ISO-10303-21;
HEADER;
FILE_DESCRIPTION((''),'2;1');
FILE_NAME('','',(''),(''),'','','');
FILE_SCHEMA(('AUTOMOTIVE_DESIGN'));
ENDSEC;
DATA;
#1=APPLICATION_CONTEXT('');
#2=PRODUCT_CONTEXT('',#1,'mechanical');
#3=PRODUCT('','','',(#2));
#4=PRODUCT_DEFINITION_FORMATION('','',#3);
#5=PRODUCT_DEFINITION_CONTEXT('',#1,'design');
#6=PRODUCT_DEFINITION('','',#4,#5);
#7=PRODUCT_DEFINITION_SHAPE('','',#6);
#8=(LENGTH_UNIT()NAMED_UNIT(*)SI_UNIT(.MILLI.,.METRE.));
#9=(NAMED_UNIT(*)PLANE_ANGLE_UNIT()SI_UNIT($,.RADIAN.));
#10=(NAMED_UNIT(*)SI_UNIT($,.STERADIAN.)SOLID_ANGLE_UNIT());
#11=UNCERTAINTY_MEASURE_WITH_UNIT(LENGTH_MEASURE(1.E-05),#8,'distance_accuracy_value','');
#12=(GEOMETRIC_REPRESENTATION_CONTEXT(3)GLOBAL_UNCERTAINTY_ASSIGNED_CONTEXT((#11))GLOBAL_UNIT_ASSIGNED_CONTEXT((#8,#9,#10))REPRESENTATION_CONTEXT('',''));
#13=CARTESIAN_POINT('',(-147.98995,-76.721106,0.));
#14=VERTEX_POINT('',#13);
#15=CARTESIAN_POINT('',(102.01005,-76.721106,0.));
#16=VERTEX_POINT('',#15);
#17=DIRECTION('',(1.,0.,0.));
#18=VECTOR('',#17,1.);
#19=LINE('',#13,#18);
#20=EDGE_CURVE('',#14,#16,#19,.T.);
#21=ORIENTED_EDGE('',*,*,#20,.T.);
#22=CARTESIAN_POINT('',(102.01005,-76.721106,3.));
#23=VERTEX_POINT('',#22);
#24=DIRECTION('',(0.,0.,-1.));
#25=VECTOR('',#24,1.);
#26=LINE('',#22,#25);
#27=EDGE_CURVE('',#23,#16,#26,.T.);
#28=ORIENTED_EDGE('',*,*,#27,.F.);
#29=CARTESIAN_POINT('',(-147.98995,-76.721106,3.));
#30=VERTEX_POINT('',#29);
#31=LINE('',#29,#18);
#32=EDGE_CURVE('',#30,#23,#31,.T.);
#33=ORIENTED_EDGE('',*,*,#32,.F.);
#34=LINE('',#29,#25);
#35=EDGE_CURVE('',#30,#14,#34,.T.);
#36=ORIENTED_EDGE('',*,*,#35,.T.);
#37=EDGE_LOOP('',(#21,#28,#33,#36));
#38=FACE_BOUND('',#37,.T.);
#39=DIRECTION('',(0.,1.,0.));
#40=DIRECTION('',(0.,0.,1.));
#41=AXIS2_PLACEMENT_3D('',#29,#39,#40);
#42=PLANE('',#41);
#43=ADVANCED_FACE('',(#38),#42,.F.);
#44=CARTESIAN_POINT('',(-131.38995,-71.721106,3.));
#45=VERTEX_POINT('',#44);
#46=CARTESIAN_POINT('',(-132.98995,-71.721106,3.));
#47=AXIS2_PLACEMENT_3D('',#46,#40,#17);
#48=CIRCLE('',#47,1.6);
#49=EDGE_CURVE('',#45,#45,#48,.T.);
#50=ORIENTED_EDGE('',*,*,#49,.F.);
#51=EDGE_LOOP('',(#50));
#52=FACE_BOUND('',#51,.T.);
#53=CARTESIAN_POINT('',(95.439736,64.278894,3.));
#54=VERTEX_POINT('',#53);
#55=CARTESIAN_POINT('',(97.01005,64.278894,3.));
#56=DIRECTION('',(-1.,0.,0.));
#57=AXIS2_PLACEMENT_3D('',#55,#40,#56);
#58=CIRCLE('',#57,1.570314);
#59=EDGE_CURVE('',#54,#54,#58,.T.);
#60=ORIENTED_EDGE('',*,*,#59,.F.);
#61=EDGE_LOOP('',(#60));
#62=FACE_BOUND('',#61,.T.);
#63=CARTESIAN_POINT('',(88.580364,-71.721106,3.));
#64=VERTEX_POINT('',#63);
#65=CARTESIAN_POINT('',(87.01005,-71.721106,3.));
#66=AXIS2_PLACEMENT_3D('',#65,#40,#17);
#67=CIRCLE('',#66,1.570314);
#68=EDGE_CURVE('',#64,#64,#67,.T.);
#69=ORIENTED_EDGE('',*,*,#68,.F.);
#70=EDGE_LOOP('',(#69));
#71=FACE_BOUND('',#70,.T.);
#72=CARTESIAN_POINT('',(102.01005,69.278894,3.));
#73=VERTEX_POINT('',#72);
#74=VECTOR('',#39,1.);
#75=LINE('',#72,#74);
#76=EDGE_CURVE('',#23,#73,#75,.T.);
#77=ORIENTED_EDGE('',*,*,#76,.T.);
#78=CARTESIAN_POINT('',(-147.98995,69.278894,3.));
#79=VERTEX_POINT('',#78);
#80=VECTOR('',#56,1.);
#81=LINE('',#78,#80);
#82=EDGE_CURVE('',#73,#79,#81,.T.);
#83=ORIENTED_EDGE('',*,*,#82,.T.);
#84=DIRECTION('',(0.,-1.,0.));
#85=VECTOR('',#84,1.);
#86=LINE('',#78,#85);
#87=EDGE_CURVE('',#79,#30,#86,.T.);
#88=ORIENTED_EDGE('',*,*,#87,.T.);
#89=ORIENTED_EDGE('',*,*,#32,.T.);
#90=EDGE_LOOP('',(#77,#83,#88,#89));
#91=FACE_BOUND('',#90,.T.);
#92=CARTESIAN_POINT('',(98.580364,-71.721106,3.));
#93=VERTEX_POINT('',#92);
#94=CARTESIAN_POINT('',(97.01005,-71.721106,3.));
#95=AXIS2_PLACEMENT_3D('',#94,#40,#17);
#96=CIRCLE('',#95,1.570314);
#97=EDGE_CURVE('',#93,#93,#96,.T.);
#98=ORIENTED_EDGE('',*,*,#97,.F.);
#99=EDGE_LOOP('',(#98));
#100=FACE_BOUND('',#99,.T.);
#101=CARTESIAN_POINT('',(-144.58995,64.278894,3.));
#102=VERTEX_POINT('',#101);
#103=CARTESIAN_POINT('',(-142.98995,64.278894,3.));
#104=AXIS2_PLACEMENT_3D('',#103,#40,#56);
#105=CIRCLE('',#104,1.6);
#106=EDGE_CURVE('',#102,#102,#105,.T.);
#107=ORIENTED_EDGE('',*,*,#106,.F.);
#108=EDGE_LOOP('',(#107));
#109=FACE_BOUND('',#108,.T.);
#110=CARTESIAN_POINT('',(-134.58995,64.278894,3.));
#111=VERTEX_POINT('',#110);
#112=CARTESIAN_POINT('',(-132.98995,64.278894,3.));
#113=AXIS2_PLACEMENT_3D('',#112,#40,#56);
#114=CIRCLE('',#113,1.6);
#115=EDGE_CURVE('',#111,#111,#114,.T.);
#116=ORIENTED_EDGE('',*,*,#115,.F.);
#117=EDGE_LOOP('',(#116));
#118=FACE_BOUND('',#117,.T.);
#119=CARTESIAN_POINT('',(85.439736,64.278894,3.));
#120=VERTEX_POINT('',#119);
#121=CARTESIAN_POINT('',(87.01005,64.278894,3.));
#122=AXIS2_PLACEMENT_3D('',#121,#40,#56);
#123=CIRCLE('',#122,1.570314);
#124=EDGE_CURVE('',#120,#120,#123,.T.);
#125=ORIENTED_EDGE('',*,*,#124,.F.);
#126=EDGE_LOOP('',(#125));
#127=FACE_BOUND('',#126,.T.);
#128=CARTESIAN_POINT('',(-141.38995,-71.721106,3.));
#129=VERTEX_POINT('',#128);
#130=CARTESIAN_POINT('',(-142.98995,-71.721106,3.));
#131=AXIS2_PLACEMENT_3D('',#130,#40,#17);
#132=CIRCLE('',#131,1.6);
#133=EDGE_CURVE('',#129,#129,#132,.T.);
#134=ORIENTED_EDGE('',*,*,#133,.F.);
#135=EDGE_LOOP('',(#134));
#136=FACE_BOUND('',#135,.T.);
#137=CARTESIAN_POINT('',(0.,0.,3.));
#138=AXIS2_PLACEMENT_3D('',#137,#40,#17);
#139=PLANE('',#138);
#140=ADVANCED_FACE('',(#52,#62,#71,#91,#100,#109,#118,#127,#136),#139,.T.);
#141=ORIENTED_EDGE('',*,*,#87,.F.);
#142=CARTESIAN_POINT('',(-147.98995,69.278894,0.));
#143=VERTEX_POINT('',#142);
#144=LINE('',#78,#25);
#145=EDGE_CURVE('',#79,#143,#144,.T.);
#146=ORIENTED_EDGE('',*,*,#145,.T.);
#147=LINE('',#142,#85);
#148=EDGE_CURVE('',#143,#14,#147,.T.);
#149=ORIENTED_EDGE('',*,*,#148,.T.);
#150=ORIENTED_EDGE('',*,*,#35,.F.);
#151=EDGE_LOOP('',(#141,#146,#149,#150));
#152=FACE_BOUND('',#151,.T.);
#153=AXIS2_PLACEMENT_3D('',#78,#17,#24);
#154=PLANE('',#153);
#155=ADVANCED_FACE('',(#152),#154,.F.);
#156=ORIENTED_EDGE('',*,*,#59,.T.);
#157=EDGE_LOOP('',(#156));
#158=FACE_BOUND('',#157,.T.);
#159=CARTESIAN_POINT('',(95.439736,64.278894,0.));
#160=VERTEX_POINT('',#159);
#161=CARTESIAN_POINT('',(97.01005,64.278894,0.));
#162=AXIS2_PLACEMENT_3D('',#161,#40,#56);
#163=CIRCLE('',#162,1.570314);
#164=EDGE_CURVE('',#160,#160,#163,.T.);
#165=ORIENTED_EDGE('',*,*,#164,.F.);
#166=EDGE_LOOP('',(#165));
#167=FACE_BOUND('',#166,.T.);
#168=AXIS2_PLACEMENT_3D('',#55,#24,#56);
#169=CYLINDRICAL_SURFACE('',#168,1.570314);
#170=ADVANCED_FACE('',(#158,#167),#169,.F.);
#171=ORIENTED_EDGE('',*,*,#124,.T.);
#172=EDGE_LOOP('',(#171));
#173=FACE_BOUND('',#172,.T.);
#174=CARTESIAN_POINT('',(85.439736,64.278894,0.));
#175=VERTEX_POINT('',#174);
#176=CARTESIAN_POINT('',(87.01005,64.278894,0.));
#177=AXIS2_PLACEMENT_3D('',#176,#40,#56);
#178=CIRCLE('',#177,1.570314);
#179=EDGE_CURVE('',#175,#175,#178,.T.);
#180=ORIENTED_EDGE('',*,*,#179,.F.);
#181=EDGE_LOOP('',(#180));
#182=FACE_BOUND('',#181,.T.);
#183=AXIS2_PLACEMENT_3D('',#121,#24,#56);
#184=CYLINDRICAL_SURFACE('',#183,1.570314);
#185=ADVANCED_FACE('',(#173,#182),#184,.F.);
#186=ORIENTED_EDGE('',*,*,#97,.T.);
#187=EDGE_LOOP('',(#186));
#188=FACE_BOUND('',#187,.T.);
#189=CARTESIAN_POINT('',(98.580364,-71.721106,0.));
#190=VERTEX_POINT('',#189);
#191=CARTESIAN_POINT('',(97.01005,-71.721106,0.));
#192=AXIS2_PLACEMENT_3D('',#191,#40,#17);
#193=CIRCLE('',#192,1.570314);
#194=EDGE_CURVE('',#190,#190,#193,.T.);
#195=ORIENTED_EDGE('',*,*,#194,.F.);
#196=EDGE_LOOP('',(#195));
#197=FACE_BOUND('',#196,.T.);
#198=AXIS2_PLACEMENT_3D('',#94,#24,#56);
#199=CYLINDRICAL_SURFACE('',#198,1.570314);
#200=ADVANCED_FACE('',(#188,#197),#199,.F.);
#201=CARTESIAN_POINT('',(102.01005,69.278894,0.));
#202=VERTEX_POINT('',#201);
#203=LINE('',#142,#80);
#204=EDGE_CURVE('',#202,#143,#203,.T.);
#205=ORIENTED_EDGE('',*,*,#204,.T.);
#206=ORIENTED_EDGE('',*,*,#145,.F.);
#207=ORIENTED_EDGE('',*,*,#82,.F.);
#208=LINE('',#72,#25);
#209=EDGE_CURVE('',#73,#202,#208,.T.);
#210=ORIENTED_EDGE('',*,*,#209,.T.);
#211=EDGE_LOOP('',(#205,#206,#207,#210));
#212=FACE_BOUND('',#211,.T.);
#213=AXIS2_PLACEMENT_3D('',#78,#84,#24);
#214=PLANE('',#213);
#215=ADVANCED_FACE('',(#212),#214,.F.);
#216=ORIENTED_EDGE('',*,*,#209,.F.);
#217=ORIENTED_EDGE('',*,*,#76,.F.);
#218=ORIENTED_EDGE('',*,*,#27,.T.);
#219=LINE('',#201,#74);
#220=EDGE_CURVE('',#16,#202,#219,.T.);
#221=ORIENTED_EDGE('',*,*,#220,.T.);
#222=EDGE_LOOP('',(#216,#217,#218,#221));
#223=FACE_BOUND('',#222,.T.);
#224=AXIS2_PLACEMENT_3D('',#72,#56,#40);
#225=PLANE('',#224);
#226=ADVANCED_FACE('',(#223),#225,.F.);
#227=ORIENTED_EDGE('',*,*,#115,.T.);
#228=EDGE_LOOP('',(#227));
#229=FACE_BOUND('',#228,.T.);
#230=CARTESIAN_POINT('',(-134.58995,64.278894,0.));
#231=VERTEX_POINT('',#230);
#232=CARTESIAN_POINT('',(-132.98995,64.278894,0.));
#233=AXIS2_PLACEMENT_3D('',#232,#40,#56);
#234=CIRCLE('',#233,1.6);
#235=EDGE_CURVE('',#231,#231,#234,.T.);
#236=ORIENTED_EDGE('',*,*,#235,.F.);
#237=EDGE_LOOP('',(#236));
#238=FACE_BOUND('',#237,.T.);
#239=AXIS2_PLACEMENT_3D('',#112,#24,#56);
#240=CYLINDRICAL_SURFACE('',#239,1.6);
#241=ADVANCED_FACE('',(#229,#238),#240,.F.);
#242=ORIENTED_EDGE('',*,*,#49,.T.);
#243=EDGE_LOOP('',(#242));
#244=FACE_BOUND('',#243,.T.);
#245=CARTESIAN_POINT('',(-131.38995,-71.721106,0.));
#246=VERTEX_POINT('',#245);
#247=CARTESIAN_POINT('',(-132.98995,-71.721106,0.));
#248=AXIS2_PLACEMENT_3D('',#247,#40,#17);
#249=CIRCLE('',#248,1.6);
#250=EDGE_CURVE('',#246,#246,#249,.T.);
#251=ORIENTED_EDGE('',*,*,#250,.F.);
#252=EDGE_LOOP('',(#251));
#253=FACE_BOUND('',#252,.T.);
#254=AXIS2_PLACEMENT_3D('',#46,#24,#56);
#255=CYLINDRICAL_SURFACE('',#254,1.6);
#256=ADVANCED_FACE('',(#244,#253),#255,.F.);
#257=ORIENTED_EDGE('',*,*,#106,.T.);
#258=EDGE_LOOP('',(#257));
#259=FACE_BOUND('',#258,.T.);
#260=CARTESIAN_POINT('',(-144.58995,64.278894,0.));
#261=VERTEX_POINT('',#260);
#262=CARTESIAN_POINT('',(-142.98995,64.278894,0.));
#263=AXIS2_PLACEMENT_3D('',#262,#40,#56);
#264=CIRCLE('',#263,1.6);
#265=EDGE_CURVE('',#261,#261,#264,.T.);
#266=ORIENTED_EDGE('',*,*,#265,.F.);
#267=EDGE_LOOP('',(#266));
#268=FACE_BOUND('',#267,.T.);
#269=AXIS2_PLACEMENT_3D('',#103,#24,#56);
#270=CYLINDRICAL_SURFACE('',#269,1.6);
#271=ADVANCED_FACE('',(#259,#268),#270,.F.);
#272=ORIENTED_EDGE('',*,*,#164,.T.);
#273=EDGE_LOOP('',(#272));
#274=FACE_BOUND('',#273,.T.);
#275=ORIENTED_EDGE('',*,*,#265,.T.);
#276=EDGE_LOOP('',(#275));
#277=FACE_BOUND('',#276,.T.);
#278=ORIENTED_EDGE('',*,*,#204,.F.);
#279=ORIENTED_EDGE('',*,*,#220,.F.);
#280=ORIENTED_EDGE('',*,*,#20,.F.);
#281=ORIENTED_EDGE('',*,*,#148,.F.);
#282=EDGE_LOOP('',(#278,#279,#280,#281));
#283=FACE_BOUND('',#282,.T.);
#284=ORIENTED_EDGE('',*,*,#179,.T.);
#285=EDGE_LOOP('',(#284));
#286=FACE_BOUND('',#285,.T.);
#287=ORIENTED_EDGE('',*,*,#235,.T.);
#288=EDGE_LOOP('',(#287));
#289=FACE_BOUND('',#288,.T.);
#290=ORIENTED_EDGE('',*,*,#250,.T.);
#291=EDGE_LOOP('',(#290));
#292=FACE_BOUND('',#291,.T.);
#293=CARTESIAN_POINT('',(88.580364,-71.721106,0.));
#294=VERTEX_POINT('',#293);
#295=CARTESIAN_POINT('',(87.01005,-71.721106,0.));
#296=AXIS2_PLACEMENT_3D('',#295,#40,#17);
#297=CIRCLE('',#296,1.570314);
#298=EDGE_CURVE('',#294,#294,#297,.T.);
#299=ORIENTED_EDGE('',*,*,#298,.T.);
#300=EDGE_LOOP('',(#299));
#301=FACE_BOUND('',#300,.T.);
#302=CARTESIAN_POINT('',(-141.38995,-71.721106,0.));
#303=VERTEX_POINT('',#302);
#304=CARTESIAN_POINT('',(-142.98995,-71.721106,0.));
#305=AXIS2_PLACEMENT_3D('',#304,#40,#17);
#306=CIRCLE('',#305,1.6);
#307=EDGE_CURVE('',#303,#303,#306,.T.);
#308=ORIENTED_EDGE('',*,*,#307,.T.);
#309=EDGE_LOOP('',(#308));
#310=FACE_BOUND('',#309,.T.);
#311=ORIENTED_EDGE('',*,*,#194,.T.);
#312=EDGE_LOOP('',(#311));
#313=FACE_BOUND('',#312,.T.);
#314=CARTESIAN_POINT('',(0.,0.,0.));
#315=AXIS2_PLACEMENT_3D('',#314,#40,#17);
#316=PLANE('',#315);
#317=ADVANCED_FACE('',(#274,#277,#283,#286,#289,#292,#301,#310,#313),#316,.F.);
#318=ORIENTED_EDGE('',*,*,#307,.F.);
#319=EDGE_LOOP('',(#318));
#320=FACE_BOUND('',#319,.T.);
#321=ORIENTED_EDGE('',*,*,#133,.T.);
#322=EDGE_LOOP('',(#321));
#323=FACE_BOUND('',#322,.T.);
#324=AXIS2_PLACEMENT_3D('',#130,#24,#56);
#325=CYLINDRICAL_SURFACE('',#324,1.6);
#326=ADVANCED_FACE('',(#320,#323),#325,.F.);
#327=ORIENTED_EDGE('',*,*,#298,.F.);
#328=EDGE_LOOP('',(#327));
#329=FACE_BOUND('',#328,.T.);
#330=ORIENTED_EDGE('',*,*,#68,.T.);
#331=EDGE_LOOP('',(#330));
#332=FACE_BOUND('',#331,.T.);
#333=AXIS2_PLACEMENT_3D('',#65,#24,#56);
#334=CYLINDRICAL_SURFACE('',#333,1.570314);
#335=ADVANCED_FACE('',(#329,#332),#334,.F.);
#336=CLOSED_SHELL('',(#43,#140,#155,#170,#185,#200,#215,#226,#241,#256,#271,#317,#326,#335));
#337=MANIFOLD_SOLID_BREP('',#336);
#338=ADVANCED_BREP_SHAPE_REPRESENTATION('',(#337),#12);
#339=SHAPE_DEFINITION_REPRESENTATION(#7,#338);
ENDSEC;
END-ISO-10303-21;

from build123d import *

# Parameters (mm, degrees)
SKETCH_1_W      = 250
SKETCH_1_H      = 146
SKETCH_1_R      = 1.6
SKETCH_1_R_2    = 1.570313995
EXTRUDE_1_DEPTH = 3


with BuildPart() as part:
    # 草图1 → 凸台-拉伸1 (new body)
    with BuildSketch(Plane.XY):
        with Locations((-22.989949749, -3.721105528)):
            Rectangle(SKETCH_1_W, SKETCH_1_H)
        with Locations((-142.989949749, -71.721105528)):
            Circle(SKETCH_1_R, mode=Mode.SUBTRACT)
        with Locations((-132.989949749, -71.721105528)):
            Circle(SKETCH_1_R, mode=Mode.SUBTRACT)
        with Locations((-142.989949749, 64.278894472)):
            Circle(SKETCH_1_R, mode=Mode.SUBTRACT)
        with Locations((-132.989949749, 64.278894472)):
            Circle(SKETCH_1_R, mode=Mode.SUBTRACT)
        with Locations((97.010050251, -71.721105528)):
            Circle(SKETCH_1_R_2, mode=Mode.SUBTRACT)
        with Locations((87.010050251, -71.721105528)):
            Circle(SKETCH_1_R_2, mode=Mode.SUBTRACT)
        with Locations((97.010050251, 64.278894472)):
            Circle(SKETCH_1_R_2, mode=Mode.SUBTRACT)
        with Locations((87.010050251, 64.278894472)):
            Circle(SKETCH_1_R_2, mode=Mode.SUBTRACT)
    extrude(amount=EXTRUDE_1_DEPTH)


solid = part.part
